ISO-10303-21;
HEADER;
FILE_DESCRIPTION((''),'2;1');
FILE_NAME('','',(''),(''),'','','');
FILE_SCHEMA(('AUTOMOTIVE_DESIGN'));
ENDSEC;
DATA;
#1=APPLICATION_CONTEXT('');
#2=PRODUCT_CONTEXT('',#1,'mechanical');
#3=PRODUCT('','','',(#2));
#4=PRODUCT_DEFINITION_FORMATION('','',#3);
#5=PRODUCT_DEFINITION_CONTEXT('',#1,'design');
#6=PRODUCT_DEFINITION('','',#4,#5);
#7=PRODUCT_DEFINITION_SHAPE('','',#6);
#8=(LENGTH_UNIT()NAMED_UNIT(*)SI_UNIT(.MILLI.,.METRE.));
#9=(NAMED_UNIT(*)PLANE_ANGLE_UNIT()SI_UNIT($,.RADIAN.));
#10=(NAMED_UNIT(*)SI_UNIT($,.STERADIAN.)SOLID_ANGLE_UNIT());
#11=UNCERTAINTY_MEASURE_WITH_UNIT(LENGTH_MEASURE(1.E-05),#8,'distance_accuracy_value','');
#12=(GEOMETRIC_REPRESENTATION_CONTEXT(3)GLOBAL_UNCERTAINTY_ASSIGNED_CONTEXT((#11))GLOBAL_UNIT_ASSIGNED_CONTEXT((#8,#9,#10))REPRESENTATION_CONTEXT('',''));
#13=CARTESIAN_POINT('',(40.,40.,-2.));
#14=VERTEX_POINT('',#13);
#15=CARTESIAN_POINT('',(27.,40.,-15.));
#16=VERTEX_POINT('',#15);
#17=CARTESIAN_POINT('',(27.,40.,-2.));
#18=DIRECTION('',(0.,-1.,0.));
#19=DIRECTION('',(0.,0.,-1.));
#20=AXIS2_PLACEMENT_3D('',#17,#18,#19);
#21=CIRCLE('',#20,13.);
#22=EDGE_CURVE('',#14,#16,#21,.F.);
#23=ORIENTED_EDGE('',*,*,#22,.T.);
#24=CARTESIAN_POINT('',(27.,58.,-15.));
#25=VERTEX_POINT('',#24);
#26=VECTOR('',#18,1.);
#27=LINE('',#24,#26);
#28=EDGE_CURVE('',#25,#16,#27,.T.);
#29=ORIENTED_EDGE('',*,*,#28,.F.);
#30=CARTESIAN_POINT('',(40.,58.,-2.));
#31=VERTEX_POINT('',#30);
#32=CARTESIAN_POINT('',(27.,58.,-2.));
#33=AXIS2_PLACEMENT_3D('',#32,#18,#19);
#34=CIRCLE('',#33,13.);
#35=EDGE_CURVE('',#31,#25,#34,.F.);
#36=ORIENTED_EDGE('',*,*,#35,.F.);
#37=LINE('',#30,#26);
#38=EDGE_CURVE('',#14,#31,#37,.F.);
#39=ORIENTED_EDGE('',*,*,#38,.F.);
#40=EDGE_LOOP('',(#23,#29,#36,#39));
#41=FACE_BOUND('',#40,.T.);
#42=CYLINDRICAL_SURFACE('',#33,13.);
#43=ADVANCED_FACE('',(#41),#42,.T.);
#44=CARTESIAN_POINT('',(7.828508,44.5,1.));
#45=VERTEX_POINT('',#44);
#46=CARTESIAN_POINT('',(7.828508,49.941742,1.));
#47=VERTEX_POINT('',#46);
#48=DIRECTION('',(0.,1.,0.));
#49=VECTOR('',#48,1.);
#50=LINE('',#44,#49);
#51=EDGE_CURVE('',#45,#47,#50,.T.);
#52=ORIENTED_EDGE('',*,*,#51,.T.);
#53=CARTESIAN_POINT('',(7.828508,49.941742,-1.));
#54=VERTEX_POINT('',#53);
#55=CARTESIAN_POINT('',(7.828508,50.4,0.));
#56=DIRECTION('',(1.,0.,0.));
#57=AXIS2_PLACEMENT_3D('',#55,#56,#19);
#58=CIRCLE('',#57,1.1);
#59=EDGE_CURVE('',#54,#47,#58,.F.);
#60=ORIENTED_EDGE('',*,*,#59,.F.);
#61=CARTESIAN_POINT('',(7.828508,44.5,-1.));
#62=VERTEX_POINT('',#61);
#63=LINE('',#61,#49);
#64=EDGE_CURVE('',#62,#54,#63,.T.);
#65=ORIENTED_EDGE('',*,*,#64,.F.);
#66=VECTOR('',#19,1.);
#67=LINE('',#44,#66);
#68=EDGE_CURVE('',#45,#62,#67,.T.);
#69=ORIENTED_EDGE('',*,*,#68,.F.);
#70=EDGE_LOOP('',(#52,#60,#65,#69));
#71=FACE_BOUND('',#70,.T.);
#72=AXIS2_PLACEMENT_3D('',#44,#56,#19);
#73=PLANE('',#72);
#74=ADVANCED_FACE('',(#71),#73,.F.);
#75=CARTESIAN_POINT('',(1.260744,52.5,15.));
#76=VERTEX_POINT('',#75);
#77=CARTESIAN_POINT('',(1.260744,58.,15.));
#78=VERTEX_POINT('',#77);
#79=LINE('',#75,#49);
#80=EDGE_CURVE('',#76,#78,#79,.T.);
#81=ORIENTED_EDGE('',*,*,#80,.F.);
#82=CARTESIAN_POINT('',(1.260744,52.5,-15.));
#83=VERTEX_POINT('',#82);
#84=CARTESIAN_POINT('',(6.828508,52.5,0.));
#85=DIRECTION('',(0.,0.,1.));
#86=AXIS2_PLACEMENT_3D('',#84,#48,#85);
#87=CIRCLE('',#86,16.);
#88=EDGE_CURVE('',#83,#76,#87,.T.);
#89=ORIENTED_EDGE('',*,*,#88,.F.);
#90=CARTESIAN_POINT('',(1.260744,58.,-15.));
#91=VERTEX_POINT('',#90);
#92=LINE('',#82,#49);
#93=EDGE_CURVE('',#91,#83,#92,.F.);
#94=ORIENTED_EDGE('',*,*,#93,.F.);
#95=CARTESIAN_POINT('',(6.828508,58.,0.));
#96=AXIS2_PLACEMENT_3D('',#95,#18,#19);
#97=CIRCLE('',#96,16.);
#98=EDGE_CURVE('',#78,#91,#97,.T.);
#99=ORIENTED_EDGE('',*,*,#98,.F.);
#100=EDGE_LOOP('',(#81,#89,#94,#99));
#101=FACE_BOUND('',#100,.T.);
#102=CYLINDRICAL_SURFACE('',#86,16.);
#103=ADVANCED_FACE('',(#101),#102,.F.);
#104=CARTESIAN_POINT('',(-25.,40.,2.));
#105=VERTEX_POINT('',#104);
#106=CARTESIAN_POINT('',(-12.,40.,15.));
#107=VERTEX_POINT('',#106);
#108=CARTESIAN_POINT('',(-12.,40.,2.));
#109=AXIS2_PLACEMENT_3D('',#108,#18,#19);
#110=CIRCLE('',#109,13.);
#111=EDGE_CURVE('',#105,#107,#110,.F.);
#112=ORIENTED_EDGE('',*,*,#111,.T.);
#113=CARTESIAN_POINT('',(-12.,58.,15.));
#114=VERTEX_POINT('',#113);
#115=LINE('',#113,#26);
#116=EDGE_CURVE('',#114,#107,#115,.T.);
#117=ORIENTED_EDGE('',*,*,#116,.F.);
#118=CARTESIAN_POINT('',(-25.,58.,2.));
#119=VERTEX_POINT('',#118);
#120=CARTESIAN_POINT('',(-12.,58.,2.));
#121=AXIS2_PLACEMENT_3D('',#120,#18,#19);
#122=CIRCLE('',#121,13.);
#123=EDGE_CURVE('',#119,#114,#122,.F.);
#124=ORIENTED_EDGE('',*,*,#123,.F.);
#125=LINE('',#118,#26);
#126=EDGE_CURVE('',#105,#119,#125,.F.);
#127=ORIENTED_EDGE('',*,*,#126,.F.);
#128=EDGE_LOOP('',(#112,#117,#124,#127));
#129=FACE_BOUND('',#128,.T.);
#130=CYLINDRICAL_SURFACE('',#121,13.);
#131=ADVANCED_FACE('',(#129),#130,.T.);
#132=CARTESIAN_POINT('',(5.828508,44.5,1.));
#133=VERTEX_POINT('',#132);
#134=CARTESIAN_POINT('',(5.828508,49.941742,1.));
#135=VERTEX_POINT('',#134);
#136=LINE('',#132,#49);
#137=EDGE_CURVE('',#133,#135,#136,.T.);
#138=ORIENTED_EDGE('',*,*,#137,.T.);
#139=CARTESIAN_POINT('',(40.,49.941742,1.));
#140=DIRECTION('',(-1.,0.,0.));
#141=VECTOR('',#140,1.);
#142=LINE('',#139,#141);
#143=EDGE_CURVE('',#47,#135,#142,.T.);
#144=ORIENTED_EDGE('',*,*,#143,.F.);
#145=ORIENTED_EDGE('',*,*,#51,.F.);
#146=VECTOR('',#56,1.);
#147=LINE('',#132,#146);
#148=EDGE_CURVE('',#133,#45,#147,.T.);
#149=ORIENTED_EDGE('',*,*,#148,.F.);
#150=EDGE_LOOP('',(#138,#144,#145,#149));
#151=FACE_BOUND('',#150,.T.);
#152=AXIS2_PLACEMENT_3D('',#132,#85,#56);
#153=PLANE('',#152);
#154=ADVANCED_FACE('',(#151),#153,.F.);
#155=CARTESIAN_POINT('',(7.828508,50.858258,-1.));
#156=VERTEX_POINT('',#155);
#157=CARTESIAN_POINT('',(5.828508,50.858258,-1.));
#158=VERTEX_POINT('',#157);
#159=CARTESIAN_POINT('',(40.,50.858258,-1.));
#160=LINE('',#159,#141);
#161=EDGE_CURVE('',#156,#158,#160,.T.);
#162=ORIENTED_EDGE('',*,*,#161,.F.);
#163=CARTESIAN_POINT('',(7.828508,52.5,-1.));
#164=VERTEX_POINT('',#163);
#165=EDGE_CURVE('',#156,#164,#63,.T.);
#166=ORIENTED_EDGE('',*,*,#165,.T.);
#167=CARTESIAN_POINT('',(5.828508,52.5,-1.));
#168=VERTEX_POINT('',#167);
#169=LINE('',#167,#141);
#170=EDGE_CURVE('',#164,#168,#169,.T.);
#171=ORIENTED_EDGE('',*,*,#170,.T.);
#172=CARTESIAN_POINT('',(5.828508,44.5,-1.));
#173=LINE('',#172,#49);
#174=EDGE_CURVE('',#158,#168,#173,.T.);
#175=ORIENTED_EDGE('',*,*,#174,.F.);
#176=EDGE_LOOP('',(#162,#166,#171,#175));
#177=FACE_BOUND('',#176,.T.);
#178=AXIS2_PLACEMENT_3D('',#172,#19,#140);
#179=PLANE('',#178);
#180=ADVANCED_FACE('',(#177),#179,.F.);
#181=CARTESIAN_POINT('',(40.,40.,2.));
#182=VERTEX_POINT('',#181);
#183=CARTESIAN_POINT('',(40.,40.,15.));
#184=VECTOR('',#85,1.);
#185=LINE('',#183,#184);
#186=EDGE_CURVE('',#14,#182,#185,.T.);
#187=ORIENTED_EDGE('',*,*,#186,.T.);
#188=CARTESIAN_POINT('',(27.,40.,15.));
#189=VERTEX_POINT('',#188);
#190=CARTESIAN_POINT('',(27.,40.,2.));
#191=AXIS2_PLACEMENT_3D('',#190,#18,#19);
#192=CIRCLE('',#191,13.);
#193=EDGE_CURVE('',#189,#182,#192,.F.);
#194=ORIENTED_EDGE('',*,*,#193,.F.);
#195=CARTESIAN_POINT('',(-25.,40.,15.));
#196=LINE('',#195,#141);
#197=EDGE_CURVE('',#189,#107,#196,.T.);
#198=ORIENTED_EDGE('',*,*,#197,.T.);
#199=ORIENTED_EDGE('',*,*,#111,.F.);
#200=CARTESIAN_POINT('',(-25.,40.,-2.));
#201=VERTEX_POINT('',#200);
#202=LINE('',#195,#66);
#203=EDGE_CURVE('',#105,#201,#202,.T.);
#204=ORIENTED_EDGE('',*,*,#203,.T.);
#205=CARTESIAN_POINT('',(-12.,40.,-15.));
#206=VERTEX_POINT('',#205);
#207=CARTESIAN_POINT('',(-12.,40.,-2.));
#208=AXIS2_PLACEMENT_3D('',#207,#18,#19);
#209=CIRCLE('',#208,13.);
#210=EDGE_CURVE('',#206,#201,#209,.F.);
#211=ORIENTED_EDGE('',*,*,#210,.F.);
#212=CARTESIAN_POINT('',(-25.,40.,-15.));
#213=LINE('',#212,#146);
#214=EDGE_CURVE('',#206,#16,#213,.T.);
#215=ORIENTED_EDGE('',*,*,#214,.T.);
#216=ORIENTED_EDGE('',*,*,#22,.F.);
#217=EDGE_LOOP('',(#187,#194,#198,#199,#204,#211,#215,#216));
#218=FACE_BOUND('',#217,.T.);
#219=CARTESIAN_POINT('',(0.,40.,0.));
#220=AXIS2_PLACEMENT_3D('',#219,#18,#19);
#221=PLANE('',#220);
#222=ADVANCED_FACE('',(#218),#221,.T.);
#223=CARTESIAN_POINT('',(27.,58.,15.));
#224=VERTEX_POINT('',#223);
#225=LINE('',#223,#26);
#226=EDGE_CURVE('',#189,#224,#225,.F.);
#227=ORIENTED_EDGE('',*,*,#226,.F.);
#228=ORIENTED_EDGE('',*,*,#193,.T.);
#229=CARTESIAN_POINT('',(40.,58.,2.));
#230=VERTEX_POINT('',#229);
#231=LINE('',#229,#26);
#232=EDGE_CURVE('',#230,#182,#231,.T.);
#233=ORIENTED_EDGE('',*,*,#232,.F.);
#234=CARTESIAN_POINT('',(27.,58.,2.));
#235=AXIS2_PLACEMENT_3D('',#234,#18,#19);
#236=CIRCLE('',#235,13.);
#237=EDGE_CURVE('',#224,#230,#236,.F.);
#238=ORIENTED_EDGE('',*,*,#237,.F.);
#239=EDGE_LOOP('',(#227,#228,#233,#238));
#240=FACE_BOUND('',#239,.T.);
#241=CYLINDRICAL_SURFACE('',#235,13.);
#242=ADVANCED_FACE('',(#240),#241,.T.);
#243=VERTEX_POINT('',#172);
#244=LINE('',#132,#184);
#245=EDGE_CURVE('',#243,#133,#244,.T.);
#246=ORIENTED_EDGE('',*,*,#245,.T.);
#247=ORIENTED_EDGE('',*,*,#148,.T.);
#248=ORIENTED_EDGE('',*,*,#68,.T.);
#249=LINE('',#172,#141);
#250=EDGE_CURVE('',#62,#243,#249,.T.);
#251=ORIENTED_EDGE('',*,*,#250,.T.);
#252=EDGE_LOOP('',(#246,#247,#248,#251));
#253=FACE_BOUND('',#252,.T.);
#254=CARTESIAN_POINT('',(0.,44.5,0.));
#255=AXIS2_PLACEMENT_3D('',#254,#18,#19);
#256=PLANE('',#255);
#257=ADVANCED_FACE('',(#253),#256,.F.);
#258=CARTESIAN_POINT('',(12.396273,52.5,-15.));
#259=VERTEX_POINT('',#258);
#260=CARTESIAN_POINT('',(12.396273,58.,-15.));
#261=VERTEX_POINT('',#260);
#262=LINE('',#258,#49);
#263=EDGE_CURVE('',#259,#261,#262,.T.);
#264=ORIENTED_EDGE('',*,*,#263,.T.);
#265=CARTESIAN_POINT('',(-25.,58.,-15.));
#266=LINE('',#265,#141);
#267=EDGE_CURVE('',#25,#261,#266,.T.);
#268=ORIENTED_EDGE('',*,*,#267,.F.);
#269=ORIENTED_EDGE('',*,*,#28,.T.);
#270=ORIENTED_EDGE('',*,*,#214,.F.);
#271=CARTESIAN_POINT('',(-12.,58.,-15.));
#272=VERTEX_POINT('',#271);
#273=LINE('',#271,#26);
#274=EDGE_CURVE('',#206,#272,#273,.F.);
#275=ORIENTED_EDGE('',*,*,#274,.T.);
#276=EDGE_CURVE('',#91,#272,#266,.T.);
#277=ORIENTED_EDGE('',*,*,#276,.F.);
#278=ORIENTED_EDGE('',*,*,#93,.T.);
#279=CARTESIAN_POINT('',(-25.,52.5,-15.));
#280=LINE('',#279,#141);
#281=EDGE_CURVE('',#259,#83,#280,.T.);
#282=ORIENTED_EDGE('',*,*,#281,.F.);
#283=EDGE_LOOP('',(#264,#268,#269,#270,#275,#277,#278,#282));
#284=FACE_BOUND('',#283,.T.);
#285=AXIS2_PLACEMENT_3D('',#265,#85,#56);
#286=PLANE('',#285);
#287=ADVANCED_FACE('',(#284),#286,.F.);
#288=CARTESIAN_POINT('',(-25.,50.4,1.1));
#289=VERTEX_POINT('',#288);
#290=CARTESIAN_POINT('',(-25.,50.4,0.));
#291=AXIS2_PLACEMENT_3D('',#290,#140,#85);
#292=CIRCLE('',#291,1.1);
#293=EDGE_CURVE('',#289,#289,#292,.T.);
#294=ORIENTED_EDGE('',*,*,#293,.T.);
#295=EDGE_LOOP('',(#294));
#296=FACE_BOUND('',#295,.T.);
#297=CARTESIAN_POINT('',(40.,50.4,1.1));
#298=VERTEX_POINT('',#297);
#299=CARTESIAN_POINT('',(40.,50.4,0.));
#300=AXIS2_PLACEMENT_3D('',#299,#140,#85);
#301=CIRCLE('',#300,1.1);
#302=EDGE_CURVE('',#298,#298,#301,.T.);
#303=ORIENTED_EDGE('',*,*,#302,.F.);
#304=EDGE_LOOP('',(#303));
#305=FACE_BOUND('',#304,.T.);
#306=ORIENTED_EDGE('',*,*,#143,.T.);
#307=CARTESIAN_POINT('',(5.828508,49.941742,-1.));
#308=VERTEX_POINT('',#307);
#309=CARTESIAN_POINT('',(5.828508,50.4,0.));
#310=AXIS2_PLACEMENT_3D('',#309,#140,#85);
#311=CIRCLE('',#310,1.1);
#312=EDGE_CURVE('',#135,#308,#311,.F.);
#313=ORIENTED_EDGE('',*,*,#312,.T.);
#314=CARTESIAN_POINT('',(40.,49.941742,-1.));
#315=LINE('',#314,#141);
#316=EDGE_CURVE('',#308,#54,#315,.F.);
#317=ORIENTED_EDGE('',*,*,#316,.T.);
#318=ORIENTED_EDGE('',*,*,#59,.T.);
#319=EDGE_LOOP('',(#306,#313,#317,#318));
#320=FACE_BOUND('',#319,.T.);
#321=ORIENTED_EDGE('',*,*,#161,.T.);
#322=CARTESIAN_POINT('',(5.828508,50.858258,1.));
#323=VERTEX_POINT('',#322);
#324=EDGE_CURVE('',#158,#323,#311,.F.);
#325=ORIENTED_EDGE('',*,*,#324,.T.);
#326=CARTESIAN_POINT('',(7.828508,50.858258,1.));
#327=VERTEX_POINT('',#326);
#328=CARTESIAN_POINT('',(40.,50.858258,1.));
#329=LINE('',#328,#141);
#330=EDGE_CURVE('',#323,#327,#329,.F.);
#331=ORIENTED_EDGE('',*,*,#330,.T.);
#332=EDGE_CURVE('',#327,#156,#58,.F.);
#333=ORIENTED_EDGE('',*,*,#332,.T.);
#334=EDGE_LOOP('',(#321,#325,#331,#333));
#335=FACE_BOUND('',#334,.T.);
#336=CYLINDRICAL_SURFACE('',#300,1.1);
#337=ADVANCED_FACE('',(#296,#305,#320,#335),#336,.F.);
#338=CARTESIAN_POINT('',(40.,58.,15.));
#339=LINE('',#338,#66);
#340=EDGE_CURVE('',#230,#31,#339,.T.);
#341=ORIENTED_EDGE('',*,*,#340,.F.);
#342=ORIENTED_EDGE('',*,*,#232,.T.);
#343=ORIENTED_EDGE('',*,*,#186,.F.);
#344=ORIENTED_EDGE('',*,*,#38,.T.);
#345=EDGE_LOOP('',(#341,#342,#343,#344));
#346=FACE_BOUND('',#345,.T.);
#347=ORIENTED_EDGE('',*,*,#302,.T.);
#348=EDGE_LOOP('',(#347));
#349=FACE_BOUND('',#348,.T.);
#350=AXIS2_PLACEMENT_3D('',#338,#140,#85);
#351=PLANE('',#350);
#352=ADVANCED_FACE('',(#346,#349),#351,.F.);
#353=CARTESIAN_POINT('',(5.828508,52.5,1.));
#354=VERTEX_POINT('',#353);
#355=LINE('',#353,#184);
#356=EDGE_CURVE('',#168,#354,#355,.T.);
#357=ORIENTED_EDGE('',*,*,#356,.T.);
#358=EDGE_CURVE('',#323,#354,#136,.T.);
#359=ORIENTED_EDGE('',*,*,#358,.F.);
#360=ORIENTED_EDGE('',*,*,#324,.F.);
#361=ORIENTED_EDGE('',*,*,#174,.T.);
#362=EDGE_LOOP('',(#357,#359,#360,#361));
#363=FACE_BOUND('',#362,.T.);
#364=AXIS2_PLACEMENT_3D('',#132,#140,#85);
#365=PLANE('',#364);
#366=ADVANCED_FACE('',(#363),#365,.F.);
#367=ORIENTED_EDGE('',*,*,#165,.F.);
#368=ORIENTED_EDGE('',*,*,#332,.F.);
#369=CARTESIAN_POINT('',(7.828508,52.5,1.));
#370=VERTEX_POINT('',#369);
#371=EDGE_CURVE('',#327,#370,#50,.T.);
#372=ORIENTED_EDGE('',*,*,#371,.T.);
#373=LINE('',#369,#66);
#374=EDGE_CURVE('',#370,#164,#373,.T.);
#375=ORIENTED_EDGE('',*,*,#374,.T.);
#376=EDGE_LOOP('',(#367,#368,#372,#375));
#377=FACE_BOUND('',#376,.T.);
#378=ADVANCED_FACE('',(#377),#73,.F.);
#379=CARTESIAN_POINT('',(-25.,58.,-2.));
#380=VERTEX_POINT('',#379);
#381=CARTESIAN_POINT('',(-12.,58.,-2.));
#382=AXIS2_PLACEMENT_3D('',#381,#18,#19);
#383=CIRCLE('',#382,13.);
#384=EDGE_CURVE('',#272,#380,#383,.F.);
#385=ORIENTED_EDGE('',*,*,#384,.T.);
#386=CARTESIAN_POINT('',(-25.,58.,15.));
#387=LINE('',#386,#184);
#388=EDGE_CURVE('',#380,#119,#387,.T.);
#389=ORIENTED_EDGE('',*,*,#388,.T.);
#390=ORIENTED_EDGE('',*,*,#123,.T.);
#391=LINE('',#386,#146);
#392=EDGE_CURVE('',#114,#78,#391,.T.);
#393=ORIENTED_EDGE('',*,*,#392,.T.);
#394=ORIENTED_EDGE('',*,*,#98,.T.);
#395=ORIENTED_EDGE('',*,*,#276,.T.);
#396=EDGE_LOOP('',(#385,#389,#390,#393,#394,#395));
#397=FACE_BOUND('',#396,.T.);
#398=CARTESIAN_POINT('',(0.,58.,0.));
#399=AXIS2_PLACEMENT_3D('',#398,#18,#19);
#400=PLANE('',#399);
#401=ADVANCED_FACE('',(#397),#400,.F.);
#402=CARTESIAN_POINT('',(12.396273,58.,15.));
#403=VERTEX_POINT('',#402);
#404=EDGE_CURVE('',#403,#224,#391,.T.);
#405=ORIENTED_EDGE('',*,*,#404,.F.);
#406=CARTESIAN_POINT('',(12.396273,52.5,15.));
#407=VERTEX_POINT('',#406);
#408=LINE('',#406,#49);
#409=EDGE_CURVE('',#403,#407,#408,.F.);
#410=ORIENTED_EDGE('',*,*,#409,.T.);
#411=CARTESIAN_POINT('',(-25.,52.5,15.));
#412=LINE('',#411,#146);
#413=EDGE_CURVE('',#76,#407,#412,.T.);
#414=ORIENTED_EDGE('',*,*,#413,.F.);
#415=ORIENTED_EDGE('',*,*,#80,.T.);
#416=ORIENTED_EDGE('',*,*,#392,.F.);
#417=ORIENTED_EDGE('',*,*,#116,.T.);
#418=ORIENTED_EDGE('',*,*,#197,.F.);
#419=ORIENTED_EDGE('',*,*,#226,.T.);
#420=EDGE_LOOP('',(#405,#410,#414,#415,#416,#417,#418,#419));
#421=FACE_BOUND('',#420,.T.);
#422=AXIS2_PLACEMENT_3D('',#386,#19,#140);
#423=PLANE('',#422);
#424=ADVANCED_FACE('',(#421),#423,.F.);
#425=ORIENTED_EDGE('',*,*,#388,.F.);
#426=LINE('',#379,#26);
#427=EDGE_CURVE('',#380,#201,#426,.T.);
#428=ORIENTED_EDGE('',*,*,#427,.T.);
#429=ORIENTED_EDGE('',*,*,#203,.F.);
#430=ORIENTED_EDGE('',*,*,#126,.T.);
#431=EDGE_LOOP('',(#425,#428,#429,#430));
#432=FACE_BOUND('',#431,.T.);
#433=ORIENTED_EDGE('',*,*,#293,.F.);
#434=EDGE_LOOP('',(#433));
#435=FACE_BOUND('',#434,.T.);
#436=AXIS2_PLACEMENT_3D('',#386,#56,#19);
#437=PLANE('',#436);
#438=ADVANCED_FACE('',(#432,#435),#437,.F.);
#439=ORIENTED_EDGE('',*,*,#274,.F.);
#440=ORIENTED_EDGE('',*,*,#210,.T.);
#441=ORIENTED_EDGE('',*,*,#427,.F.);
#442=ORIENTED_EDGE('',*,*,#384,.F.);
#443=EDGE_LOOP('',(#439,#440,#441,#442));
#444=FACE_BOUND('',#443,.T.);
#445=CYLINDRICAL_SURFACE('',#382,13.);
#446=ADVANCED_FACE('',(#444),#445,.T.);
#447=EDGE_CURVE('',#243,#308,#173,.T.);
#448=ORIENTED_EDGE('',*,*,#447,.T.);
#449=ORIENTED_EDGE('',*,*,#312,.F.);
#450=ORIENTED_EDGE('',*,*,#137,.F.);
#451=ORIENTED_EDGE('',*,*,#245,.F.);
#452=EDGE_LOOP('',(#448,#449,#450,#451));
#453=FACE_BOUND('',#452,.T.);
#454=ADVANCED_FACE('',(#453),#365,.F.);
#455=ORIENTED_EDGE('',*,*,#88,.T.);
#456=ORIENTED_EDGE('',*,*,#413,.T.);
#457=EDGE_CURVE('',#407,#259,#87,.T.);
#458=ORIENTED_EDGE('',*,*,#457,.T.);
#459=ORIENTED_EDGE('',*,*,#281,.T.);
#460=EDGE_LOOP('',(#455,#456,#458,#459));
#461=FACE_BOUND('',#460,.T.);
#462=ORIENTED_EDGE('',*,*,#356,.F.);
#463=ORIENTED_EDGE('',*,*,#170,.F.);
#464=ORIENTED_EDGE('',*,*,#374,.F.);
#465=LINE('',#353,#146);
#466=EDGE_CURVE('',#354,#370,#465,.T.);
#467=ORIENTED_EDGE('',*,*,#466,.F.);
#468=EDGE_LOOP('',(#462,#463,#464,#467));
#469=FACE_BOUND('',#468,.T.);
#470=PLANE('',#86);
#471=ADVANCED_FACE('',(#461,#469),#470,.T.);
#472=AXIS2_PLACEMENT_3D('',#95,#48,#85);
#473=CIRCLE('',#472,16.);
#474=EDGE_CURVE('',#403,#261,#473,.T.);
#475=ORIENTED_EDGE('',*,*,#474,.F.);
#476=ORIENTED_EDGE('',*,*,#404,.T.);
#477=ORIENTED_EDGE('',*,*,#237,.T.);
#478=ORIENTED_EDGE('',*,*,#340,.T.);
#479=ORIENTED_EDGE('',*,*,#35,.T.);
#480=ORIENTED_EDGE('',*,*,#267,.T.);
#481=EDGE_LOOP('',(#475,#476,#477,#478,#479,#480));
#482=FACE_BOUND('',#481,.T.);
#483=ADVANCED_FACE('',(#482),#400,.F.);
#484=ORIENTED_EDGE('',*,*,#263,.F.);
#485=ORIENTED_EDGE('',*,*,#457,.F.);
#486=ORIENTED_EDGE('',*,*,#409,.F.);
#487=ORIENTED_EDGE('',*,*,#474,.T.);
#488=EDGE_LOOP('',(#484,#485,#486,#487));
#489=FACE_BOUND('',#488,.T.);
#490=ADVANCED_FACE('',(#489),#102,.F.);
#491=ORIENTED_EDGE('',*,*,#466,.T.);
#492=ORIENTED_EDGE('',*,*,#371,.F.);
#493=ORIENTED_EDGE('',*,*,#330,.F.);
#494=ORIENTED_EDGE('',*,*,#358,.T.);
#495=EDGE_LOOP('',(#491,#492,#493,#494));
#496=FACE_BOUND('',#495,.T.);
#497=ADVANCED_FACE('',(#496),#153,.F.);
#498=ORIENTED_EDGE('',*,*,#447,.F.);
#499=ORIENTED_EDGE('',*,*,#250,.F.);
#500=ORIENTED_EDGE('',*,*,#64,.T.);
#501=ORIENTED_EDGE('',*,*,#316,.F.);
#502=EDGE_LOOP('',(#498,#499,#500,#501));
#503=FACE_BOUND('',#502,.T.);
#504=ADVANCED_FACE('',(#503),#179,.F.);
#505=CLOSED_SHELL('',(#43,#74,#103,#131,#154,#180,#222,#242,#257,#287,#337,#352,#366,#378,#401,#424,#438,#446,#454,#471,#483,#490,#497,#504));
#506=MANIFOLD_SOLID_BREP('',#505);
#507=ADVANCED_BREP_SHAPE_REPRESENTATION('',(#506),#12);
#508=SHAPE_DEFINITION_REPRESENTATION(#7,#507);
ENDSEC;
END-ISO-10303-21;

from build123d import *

# Parameters (mm, degrees)
SKETCH1_W           = 65
SKETCH1_H           = 30
BOSS_EXTRUDE1_DEPTH = 58
FILLET1_R           = 13
SKETCH15_W          = 83.696095513
SKETCH15_H          = 31.69844841
CUT_EXTRUDE7_DEPTH  = 50
SKETCH18_R          = 16
CUT_EXTRUDE10_DEPTH = 5.5
SKETCH3_R           = 1.1
CUT_EXTRUDE12_DEPTH = 89.396832522
SKETCH21_W          = 2
SKETCH21_H          = 2
CUT_EXTRUDE13_DEPTH = 8


with BuildPart() as part:
    # Sketch1 → Boss-Extrude1 (new body)
    with BuildSketch(Plane(origin=(0, 0, 0), x_dir=(1, 0, 0), z_dir=(0, 1, 0))):
        with Locations((7.5, 0)):
            Rectangle(SKETCH1_W, SKETCH1_H)
    extrude(amount=BOSS_EXTRUDE1_DEPTH)

    # Fillet1
    fillet1_edges = [part.edges().sort_by_distance(p)[0] for p in [
        (40, 29, 15),
        (-25, 29, 15),
        (-25, 29, -15),
        (40, 29, -15),
    ]]
    fillet(fillet1_edges, radius=FILLET1_R)

    # Sketch15 → Cut-Extrude7 (cut)
    with BuildSketch(Plane(origin=(0, -10, 0), x_dir=(-1, 0, 0), z_dir=(0, -1, 0))):
        with Locations((-0.057440767, 0.030479277)):
            Rectangle(SKETCH15_W, SKETCH15_H)
    extrude(amount=-CUT_EXTRUDE7_DEPTH, mode=Mode.SUBTRACT)

    # Sketch18 → Cut-Extrude10 (cut)
    with BuildSketch(Plane(origin=(0, 58, 0), x_dir=(1, 0, 0), z_dir=(0, 1, 0))):
        with Locations((6.828508286, 0)):
            Circle(SKETCH18_R)
    extrude(amount=-CUT_EXTRUDE10_DEPTH, mode=Mode.SUBTRACT)

    # Sketch3 → Cut-Extrude12 (cut, through all)
    with BuildSketch(Plane.ZY.offset(25)):
        with Locations((0, 50.4)):
            Circle(SKETCH3_R)
    extrude(amount=-CUT_EXTRUDE12_DEPTH, mode=Mode.SUBTRACT)

    # Sketch21 → Cut-Extrude13 (cut)
    with BuildSketch(Plane(origin=(0, 52.5, 0), x_dir=(1, 0, 0), z_dir=(0, 1, 0))):
        with Locations((6.828508286, 0)):
            Rectangle(SKETCH21_W, SKETCH21_H)
    extrude(amount=-CUT_EXTRUDE13_DEPTH, mode=Mode.SUBTRACT)


solid = part.part
